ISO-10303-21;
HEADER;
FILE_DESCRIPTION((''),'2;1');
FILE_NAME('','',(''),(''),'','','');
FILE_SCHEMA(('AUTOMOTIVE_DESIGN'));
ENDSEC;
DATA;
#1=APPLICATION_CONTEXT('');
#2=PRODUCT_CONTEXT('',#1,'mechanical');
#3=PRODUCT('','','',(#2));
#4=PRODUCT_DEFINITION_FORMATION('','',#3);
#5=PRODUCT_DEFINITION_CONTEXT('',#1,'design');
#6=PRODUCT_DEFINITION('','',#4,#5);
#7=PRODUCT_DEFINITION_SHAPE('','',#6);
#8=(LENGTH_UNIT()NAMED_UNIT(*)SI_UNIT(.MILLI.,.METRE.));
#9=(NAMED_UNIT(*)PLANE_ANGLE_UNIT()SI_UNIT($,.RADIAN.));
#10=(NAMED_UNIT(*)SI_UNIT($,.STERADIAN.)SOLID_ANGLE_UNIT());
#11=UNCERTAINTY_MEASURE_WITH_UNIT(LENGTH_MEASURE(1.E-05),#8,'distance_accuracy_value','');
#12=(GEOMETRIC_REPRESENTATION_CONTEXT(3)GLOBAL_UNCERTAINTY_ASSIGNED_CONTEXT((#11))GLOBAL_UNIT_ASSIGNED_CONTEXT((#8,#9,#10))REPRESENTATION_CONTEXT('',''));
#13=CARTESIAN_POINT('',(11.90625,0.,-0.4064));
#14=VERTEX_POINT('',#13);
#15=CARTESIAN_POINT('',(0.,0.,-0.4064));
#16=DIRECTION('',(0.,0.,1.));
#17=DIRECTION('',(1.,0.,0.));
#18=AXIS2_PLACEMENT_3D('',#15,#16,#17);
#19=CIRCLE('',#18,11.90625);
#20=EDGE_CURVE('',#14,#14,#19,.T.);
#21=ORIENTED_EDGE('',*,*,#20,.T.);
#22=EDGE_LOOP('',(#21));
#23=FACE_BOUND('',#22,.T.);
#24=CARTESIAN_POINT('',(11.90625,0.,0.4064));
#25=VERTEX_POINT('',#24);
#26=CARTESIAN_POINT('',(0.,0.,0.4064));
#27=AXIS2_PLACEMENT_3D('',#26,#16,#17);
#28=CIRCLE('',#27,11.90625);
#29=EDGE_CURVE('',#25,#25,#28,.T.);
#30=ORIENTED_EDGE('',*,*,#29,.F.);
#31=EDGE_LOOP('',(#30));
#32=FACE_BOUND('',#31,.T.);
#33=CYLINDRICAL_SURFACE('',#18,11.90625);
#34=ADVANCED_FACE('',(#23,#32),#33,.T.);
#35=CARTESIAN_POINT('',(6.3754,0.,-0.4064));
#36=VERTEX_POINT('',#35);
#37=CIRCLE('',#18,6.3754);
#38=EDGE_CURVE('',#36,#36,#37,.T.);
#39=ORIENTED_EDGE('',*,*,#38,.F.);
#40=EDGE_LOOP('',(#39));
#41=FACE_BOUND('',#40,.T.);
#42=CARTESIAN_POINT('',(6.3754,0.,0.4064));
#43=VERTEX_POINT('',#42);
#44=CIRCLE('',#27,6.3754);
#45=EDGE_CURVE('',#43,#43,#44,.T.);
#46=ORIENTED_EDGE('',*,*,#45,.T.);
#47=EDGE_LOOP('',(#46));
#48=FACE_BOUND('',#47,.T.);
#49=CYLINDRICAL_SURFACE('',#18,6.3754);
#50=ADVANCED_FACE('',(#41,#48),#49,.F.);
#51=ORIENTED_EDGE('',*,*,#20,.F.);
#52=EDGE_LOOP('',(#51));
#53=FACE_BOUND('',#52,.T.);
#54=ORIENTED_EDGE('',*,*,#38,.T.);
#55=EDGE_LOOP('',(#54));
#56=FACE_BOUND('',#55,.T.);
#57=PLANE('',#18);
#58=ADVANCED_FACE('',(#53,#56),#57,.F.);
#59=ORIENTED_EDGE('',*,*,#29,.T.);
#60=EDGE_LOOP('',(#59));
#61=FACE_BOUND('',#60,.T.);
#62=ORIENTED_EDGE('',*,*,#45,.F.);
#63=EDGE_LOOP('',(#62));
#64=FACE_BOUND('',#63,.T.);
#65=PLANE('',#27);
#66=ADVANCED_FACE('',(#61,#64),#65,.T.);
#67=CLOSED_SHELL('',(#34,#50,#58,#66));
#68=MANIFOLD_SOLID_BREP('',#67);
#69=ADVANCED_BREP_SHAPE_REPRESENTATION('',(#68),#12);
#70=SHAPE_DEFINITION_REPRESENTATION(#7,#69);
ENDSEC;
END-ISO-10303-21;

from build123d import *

# Parameters (mm, degrees)
SKETCH3_R                = 11.90625
SKETCH3_R_2              = 6.3754
BOSS_EXTRUDE1_DEPTH      = 0.4064
BOSS_EXTRUDE1_DEPTH_BACK = 0.4064


with BuildPart() as part:
    # Sketch3 → Boss-Extrude1 (new body, two sides)
    with BuildSketch(Plane.XY) as boss_extrude1_sk:
        Circle(SKETCH3_R)
        Circle(SKETCH3_R_2, mode=Mode.SUBTRACT)
    extrude(amount=BOSS_EXTRUDE1_DEPTH)
    extrude(boss_extrude1_sk.sketch, amount=-BOSS_EXTRUDE1_DEPTH_BACK)


solid = part.part
